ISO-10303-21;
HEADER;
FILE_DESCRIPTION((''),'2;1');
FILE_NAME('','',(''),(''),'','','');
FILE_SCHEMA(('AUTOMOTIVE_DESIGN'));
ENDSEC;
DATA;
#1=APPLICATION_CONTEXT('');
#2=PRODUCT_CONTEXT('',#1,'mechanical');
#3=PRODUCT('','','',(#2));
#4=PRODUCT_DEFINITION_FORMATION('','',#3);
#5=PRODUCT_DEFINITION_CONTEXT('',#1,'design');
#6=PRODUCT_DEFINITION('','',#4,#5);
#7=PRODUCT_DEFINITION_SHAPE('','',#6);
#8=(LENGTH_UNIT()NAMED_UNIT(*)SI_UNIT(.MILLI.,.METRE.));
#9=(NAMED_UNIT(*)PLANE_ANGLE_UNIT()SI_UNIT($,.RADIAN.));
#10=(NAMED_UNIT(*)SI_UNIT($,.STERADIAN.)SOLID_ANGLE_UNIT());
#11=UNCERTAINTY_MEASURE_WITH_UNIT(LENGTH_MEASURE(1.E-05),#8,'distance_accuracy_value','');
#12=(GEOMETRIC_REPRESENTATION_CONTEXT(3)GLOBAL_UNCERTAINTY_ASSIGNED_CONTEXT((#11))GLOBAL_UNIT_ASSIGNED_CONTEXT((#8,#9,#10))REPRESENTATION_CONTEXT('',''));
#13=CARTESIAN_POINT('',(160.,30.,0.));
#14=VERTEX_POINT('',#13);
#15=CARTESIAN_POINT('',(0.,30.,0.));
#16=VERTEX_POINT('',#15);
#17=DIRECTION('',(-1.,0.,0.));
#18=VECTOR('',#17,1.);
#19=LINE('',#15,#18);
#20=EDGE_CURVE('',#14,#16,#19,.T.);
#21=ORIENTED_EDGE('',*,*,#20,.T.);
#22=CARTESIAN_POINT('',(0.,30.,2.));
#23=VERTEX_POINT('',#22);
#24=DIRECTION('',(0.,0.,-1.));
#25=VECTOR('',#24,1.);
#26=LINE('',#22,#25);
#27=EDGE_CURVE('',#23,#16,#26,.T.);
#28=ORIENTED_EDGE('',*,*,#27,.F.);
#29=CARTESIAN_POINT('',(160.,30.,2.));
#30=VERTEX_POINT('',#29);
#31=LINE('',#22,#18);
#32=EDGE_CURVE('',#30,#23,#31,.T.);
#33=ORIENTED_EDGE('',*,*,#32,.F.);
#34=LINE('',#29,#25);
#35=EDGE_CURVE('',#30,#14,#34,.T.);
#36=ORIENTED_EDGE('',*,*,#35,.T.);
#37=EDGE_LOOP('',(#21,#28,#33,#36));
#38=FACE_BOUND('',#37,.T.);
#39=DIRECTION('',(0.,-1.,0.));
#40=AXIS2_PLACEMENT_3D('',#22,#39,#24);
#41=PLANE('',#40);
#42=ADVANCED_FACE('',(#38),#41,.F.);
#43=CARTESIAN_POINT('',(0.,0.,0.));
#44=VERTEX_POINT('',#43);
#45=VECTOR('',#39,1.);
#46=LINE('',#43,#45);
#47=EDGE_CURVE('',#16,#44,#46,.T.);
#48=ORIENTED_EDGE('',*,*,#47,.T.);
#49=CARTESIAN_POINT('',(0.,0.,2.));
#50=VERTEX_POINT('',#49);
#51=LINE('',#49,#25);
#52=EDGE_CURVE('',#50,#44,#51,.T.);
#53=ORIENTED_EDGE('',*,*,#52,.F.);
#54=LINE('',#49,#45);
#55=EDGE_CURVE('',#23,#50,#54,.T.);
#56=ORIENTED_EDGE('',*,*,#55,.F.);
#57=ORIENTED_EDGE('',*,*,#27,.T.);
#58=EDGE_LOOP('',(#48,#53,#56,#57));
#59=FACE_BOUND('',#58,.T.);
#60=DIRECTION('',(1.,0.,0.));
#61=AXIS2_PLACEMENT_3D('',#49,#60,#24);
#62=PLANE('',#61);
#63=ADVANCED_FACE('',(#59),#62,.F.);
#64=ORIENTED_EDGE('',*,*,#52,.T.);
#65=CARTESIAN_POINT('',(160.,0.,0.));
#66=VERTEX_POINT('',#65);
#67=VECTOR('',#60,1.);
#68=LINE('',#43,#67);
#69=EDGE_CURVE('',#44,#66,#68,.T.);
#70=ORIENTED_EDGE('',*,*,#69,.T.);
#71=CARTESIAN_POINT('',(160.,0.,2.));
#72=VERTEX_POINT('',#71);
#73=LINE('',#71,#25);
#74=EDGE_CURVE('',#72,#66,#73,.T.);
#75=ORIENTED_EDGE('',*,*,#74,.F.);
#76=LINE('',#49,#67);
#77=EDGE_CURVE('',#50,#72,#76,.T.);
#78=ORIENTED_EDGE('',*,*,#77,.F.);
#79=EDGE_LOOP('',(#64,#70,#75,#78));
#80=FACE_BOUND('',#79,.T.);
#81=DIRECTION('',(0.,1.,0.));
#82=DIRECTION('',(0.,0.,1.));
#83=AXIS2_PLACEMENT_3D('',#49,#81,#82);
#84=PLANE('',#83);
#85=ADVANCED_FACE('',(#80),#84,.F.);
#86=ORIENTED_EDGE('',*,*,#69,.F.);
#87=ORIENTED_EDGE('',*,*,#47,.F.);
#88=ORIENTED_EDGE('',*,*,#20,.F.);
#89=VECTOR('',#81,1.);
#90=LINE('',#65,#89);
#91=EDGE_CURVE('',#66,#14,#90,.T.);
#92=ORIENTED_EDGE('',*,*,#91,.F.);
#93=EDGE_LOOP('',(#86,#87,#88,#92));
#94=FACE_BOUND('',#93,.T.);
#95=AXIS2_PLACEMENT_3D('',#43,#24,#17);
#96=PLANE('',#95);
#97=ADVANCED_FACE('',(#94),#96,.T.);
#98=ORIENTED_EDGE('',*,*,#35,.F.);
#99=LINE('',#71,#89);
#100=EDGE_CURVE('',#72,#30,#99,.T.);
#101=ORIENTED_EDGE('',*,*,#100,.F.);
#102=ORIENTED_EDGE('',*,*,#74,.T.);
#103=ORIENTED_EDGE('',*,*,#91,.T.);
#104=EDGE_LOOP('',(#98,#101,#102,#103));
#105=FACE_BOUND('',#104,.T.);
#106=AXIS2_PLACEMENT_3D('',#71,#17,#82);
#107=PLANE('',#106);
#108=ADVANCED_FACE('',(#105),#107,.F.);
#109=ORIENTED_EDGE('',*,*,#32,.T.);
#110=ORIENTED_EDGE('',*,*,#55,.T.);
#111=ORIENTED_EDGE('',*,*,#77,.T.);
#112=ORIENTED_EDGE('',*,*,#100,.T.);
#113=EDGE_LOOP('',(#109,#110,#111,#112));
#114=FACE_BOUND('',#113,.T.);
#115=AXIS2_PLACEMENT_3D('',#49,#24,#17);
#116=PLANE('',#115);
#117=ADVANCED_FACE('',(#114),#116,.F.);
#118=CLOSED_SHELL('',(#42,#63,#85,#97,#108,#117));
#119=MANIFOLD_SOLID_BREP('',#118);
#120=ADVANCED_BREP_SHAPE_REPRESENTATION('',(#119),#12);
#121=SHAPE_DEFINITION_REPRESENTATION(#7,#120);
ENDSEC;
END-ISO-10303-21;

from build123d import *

# Parameters (mm, degrees)
SCHIZZO1_W                   = 160
SCHIZZO1_H                   = 30
ESTRUSIONE_ESTRUSIONE1_DEPTH = 2


with BuildPart() as part:
    # Schizzo1 → Estrusione-Estrusione1 (new body)
    with BuildSketch(Plane.XY):
        with Locations((80, 15)):
            Rectangle(SCHIZZO1_W, SCHIZZO1_H)
    extrude(amount=ESTRUSIONE_ESTRUSIONE1_DEPTH)


solid = part.part
